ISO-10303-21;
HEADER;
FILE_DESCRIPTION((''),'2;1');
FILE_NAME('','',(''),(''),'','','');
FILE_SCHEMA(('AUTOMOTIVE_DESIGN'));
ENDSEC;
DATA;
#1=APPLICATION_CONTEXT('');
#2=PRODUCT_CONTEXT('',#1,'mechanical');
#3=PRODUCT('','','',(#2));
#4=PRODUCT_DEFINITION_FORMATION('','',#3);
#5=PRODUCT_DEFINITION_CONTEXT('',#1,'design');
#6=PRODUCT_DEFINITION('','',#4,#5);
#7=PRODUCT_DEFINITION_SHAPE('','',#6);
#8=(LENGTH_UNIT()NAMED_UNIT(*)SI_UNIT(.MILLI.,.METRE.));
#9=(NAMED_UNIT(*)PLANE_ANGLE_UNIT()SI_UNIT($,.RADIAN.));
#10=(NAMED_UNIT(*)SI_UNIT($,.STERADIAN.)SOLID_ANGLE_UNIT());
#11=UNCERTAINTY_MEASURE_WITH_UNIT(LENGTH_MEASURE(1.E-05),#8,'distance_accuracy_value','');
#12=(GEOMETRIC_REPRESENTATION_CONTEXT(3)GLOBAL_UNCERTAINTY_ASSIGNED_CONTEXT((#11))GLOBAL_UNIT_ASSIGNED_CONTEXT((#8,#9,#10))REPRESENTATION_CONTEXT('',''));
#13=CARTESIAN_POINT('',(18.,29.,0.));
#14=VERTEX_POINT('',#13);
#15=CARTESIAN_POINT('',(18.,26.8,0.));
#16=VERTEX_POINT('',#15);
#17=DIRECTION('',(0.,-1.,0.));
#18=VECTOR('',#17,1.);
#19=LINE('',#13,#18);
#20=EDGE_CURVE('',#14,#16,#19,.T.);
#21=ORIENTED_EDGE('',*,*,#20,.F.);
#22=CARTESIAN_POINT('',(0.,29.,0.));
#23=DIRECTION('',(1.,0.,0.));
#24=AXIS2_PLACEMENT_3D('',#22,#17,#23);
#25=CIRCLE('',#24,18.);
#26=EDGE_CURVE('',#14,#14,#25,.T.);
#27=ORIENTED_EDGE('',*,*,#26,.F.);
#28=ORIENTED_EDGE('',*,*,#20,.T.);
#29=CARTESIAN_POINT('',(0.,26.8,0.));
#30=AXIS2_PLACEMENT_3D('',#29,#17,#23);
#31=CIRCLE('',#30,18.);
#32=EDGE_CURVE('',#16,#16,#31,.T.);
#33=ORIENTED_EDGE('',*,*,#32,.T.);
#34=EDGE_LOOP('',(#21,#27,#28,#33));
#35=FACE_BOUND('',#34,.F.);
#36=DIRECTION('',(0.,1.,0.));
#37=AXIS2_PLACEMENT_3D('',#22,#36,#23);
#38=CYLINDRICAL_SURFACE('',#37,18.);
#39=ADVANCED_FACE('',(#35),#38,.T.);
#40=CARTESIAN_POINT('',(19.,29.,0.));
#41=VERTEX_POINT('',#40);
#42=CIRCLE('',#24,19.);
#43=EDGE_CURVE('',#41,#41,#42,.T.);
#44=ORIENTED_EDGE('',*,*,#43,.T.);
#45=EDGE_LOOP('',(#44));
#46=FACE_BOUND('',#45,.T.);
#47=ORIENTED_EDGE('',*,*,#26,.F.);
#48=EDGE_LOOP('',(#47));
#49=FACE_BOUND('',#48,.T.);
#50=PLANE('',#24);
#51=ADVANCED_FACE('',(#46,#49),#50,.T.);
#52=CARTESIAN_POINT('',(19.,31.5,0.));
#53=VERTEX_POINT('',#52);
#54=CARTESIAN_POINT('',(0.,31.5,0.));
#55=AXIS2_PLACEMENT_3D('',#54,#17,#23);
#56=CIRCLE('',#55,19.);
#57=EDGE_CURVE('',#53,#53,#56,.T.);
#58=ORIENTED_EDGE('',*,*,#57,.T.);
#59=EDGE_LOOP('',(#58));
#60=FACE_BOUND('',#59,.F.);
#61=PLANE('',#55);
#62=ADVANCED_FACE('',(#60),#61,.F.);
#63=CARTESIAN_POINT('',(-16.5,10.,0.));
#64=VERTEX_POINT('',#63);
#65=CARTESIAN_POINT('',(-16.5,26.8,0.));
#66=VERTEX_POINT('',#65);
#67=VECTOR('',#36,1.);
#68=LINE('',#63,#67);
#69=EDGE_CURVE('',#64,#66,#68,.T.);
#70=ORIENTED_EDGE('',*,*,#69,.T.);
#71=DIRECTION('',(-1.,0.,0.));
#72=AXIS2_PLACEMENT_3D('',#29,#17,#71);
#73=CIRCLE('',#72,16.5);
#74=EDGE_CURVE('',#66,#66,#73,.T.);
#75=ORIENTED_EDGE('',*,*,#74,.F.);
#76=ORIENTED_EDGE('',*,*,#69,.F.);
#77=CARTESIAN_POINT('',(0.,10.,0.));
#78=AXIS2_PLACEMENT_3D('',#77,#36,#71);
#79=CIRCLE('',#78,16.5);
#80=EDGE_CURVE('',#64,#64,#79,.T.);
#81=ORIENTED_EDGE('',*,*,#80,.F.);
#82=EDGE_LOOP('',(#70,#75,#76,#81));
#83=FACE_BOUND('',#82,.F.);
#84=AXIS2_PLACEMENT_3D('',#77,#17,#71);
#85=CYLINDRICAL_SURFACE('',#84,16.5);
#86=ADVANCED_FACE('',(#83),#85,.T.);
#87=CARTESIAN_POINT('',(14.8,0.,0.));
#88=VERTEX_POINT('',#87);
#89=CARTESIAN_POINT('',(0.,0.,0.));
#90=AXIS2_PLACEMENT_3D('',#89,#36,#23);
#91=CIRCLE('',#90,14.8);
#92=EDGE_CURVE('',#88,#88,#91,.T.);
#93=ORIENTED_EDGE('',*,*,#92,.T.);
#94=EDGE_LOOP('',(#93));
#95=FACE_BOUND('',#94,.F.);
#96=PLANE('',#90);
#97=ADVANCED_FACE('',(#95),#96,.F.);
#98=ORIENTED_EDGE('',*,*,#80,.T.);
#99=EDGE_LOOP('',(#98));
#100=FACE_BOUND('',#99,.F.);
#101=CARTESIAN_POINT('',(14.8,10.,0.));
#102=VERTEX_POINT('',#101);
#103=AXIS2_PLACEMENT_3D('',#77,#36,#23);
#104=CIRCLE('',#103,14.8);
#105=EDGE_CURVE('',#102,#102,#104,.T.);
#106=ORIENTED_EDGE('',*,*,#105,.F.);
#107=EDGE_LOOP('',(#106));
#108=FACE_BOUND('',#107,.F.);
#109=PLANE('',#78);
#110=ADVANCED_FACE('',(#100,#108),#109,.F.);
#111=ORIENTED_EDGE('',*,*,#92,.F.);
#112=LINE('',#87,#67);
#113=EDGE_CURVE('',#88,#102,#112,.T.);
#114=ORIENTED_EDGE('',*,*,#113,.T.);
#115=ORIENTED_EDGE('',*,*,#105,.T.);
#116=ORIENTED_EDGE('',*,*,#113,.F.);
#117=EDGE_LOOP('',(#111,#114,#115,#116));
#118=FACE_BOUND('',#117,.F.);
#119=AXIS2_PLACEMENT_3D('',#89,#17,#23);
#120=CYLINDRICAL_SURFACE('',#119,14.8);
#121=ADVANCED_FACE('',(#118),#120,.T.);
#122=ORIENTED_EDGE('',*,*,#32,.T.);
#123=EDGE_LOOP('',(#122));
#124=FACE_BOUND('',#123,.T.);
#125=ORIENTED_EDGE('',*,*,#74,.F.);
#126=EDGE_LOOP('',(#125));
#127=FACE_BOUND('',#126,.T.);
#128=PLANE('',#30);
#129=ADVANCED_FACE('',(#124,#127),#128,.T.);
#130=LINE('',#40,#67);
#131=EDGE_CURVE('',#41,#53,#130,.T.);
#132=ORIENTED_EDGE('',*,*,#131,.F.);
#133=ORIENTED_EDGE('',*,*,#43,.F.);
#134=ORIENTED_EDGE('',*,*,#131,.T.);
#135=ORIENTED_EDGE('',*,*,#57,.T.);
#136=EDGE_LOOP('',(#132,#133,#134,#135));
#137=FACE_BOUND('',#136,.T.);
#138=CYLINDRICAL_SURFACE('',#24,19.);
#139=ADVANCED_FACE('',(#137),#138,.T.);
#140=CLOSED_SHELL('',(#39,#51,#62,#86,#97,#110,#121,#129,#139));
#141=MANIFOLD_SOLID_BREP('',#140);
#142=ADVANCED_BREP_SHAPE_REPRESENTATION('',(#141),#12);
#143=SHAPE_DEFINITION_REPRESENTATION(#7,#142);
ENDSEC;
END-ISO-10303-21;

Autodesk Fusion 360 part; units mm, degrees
sketch "スケッチ1" plane through (0, 0, 0) normal (0, 1, 0) x (1, 0, 0)
  circle A0 centre (0, 0) radius 14.8
  dimension "d1" = 29.6
extrude "押し出し1" add sketch "スケッチ1" along normal blind 10
sketch "スケッチ2" plane through (0, 10, 0) normal (0, 1, 0) x (-1, 0, 0)
  circle A0 centre (0, 0) radius 14.8
  circle A1 centre (0, 0) radius 16.5
  dimension "d4" = 33
extrude "押し出し2" add sketch "スケッチ2" along normal blind 19 contours A0 | A1
ref_plane "作業平面1" through (0, 24, 0) normal (0, 1, 0) x (-1, 0, 0)
sketch "スケッチ3" plane through (0, 24, 0) normal (0, 1, 0) x (1, 0, 0)
ref_plane "作業平面2" through (0, 29, 0) normal (0, -1, 0) x (-1, 0, 0)
sketch "スケッチ5" plane through (0, 29, 0) normal (0, -1, 0) x (1, 0, 0)
  circle A0 centre (0, 0) radius 19
  dimension "d12" = 38
extrude "押し出し4" add sketch "スケッチ5" against normal blind 2.5
sketch "スケッチ6" plane through (0, 29, 0) normal (0, -1, 0) x (1, 0, 0)
  circle A0 centre (0, 0) radius 18
  dimension "d15" = 36
extrude "押し出し5" add sketch "スケッチ6" along normal blind 2.2
ref_plane "作業平面4" through (0, 24.8, 0) normal (0, -1, 0) x (1, 0, 0)
